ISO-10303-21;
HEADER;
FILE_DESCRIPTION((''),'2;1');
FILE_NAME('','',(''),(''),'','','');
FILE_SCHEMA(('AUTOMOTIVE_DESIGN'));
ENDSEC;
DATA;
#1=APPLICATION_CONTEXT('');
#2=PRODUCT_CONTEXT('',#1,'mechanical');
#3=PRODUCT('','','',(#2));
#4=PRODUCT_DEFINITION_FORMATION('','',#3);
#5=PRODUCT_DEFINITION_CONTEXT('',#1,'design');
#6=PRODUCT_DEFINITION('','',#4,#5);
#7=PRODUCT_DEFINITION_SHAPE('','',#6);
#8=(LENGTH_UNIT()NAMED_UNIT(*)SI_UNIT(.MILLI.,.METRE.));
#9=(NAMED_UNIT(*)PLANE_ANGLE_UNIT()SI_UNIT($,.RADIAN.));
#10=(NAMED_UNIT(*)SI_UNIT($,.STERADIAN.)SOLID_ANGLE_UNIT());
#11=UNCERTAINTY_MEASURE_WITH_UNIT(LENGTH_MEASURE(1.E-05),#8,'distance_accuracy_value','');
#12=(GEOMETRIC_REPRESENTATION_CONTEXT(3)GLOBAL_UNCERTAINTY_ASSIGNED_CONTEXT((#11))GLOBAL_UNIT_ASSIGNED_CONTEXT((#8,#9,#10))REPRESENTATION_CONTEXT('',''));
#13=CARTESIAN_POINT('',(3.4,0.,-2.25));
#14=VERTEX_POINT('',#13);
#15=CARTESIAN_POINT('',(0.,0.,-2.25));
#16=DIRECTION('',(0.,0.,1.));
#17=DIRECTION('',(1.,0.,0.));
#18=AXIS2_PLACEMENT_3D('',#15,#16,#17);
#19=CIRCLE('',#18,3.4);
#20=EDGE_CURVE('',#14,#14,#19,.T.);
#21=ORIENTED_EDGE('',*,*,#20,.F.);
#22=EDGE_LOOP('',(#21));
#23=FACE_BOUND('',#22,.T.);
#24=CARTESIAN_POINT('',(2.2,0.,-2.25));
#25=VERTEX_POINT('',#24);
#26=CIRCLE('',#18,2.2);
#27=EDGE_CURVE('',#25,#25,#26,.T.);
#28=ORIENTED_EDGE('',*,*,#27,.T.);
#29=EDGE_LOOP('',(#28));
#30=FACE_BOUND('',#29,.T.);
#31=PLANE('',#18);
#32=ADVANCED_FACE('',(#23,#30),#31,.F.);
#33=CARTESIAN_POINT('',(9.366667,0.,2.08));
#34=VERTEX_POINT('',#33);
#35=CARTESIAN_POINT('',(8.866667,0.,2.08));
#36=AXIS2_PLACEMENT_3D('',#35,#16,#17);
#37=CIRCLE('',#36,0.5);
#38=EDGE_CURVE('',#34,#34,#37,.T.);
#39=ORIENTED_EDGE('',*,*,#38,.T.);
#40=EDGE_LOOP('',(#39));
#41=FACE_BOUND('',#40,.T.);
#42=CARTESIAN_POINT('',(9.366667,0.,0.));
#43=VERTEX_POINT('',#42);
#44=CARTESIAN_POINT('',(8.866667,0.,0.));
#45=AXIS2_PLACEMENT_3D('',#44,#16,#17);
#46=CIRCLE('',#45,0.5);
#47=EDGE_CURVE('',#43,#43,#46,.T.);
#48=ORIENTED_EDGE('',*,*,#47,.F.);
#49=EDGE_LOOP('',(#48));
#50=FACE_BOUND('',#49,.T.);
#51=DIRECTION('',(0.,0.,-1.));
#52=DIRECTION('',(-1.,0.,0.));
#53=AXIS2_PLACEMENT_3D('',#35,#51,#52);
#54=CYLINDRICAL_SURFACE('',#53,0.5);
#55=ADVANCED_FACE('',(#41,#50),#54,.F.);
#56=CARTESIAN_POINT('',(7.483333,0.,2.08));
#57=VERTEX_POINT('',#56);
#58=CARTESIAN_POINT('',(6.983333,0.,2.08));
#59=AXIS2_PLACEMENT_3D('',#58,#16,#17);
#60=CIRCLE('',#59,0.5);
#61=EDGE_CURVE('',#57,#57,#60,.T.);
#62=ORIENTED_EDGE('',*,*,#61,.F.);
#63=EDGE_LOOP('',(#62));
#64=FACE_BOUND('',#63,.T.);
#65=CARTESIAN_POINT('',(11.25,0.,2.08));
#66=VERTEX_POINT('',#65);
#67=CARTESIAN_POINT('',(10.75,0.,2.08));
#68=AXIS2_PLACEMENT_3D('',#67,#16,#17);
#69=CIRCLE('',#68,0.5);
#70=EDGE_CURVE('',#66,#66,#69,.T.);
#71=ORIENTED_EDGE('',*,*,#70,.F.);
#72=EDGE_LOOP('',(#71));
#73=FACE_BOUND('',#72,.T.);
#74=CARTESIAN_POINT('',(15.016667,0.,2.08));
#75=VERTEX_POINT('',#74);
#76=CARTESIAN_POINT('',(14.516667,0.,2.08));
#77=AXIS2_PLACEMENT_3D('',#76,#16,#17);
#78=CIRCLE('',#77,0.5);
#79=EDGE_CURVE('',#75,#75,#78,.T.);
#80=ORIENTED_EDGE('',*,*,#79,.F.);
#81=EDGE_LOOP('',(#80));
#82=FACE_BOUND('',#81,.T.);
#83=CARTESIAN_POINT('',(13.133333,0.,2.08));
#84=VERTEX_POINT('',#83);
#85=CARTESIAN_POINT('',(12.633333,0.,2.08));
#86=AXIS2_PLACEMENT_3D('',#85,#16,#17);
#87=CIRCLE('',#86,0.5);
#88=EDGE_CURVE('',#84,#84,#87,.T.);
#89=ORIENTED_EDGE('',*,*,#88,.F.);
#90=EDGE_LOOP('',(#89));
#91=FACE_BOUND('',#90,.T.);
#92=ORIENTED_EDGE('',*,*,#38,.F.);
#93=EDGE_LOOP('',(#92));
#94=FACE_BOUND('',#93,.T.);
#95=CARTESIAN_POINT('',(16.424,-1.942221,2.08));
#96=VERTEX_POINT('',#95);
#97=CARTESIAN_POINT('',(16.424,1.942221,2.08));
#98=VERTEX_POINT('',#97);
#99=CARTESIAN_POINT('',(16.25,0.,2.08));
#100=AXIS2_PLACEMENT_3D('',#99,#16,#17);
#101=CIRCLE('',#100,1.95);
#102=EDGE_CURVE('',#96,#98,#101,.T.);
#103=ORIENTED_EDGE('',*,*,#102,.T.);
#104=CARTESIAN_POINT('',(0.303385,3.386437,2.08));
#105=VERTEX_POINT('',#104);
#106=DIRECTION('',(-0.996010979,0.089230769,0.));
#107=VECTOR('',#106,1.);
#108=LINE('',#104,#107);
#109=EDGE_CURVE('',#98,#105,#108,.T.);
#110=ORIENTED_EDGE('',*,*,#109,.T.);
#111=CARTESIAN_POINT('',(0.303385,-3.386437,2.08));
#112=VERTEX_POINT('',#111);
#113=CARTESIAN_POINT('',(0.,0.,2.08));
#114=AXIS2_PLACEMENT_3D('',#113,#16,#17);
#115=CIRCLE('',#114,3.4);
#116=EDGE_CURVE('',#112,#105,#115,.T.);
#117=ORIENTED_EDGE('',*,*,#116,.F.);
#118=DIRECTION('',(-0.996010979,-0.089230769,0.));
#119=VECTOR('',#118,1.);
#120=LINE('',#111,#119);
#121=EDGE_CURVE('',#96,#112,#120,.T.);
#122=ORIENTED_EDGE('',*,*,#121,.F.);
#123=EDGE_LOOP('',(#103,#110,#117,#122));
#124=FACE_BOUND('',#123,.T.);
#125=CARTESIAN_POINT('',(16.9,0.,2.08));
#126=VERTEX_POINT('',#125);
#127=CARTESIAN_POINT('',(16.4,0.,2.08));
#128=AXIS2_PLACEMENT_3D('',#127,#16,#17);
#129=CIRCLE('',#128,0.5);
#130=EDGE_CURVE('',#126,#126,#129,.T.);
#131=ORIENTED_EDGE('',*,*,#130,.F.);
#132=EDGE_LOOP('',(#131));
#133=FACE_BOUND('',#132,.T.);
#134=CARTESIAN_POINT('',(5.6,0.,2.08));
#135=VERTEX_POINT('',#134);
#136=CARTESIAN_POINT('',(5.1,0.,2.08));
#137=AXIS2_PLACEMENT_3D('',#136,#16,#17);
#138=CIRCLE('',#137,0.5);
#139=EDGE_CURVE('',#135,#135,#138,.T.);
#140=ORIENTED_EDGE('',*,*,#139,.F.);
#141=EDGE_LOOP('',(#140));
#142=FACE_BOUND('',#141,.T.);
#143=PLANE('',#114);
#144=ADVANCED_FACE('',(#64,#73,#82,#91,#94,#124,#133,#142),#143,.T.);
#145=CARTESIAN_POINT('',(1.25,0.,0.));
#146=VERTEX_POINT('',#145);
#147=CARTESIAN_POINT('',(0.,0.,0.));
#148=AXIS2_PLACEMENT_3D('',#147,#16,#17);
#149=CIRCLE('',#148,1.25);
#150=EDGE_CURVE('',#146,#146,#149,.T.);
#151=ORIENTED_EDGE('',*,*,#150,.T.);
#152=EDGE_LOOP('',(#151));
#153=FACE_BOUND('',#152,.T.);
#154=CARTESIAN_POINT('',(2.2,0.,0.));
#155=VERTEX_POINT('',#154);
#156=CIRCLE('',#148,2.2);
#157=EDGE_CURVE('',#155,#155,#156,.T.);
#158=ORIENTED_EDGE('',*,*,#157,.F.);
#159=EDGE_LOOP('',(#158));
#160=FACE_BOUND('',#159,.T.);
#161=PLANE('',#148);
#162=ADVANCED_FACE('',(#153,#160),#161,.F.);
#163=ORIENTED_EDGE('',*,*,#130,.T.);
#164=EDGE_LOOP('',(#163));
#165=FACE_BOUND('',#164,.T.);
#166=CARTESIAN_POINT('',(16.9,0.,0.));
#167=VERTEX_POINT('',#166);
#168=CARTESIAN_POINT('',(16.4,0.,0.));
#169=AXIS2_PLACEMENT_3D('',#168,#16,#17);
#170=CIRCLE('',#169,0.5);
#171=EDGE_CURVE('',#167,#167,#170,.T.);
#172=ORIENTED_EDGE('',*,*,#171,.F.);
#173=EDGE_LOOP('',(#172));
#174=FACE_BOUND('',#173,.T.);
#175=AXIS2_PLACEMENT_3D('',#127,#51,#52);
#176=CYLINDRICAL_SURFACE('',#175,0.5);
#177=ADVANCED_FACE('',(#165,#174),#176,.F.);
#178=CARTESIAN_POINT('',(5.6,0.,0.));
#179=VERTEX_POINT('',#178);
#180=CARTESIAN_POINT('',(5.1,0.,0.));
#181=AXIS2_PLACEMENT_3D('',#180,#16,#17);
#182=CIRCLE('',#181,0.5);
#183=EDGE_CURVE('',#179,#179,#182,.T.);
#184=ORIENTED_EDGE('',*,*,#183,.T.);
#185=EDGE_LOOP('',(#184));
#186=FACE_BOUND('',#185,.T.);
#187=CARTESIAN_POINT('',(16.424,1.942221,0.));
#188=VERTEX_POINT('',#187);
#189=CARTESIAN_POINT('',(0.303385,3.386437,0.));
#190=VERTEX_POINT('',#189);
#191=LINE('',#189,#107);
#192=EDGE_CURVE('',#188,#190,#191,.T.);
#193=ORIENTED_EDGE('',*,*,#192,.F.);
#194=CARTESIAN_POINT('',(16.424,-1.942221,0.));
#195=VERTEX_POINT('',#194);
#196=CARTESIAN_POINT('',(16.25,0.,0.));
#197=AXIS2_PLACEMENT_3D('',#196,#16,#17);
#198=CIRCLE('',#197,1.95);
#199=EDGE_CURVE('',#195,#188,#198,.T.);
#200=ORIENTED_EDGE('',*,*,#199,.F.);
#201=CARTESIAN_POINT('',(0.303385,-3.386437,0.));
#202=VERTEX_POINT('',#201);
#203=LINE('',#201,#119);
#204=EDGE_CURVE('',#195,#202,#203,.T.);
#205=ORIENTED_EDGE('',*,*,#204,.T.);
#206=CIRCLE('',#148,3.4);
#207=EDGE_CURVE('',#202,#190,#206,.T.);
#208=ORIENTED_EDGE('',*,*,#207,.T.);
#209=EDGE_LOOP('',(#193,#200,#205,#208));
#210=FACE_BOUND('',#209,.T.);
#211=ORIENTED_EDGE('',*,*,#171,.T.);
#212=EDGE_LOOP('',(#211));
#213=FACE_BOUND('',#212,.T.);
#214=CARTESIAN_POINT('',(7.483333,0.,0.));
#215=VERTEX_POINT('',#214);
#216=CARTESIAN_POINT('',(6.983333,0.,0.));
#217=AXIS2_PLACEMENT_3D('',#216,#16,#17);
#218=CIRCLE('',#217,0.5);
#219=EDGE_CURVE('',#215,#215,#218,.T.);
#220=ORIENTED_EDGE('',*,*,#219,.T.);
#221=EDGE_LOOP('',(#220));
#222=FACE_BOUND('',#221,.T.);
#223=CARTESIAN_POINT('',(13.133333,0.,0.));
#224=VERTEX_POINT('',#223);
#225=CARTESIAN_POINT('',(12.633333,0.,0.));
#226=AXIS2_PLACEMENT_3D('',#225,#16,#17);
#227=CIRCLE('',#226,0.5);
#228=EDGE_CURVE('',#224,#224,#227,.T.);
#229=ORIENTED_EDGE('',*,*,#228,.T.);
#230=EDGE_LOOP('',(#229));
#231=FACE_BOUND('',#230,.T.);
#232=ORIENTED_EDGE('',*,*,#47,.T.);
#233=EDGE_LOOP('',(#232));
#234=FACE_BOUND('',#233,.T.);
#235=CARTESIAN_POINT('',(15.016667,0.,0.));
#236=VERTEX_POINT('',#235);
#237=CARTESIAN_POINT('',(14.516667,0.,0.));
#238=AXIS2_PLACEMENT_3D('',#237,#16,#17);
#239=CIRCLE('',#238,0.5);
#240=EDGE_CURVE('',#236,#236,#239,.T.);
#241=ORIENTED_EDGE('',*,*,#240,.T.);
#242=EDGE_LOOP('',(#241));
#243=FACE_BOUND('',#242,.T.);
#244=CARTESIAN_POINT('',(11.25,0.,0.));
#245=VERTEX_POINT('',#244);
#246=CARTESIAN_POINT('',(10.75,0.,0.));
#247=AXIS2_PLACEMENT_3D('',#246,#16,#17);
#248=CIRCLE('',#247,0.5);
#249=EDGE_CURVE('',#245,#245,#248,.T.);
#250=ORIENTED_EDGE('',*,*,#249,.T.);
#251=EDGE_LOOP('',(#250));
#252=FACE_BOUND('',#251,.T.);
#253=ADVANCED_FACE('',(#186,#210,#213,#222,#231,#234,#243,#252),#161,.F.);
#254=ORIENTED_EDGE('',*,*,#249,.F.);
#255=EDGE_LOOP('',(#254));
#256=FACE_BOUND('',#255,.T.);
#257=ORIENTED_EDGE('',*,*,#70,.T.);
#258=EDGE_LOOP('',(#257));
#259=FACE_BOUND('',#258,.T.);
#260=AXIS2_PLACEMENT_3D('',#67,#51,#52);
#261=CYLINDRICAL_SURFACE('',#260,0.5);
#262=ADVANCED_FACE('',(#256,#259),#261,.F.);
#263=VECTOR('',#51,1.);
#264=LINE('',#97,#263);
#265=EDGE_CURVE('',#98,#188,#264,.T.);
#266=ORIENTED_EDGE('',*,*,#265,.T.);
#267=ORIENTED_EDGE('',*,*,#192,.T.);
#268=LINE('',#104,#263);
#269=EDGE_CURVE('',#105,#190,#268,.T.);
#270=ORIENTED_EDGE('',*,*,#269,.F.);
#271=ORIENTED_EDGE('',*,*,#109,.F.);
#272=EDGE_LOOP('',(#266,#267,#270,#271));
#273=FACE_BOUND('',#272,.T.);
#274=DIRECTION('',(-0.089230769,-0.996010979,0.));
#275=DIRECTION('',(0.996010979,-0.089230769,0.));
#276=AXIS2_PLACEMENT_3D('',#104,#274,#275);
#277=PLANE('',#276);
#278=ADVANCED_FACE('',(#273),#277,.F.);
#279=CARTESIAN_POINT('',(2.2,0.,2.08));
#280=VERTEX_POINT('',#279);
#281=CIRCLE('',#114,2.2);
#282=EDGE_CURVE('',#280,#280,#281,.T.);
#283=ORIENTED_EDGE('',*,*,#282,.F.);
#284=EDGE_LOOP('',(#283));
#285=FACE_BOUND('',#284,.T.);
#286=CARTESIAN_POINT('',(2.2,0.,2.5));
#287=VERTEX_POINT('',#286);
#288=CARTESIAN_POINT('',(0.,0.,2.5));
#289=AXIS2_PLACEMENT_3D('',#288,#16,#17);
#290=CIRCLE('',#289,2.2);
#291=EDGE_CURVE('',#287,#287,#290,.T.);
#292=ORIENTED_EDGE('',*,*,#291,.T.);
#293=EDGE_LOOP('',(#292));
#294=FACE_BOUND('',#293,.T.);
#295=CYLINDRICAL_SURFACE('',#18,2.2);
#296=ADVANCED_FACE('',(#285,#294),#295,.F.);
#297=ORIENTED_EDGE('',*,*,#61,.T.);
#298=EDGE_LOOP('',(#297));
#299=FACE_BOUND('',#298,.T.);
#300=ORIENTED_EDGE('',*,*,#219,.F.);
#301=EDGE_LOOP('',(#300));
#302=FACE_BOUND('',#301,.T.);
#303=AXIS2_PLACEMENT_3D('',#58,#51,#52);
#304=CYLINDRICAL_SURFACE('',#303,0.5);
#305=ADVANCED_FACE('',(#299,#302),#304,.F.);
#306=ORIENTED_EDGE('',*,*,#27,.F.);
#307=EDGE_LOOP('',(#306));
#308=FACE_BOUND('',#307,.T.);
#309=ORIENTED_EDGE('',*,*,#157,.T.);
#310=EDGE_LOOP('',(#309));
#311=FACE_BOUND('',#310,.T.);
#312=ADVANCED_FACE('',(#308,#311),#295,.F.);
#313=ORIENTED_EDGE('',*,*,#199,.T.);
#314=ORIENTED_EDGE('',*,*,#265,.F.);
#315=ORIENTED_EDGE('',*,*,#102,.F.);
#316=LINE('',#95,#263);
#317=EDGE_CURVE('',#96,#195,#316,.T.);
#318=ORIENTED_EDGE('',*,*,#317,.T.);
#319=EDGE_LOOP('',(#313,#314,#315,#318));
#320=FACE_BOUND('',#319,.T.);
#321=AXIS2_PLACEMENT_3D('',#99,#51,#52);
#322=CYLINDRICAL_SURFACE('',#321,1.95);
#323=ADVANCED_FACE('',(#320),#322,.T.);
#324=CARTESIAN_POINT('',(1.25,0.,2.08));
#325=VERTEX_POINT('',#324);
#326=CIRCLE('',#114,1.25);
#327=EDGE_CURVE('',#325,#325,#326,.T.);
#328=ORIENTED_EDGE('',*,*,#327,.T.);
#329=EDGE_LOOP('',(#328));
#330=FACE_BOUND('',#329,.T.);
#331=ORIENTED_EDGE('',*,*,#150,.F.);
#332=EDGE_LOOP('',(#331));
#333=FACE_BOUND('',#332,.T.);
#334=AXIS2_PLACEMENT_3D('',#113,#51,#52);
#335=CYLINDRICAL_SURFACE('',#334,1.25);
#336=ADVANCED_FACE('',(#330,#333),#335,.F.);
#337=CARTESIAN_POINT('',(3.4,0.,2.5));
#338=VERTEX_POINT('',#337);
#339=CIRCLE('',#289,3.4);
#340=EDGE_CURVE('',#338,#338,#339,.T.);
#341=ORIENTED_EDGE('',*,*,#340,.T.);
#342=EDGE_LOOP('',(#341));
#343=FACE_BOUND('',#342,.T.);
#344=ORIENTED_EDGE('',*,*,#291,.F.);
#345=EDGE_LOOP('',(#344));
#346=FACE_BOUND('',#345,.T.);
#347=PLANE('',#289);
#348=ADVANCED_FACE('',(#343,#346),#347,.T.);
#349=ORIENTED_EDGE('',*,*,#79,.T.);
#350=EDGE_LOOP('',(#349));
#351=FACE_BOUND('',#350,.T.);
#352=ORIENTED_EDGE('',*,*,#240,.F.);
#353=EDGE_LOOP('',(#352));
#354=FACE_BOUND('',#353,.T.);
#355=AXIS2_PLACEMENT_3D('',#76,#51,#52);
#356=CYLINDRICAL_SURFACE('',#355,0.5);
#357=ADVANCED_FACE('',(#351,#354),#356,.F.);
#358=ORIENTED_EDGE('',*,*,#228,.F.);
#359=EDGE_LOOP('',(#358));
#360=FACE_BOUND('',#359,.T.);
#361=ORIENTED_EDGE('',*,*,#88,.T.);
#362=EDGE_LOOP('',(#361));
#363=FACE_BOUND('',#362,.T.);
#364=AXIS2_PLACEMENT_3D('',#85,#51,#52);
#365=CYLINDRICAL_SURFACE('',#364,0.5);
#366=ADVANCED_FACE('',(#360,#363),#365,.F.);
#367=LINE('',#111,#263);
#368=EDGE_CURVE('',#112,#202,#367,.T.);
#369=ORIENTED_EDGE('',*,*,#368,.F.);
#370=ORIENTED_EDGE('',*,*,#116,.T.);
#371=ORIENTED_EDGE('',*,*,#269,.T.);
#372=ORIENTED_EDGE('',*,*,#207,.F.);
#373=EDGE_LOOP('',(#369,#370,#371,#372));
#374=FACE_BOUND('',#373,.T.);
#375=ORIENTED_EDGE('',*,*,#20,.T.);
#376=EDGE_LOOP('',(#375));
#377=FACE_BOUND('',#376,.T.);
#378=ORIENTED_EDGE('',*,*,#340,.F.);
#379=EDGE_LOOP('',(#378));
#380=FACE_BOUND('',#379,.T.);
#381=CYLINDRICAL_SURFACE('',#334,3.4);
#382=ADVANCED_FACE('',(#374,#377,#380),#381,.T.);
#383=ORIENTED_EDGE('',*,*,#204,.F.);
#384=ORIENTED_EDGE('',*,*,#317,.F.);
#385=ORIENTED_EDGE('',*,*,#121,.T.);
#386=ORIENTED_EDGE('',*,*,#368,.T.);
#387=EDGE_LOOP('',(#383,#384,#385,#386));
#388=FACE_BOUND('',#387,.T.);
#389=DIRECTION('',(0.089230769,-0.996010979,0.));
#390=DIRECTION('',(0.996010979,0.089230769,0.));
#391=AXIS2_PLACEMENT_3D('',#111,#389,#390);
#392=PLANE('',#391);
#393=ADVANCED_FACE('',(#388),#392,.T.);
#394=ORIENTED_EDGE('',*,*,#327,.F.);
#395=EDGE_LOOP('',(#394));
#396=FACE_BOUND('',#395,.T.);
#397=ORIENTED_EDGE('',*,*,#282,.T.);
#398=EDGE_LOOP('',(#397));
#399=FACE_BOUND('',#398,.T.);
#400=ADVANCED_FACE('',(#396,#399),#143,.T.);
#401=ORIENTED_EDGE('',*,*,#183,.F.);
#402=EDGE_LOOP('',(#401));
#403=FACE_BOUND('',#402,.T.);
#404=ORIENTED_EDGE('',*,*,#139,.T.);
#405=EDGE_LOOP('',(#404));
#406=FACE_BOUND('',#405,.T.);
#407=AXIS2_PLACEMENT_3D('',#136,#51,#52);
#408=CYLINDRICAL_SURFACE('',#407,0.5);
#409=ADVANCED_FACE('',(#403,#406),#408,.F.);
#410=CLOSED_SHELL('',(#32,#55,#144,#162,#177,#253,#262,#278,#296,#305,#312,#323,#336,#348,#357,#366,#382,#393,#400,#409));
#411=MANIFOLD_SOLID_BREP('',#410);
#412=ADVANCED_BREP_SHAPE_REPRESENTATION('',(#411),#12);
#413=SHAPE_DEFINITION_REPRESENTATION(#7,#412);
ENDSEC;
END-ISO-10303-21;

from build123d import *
from build123d.topology import SkipClean

# Parameters (mm, degrees)
SKETCH1_R             = 0.5
SKETCH1_R_2           = 1.25
BASE_DEPTH            = 2.08
CONNECTION_DEPTH      = 2.5
CONNECTION_DEPTH_BACK = 2.25
SKETCH1_3_R           = 2.2


with BuildPart() as part:
    # Sketch1 → Base (new body)
    with BuildSketch(Plane.XY):
        with BuildLine():
            ThreePointArc((16.424, -1.942221409), (18.2, 0), (16.424, 1.942221409))
            Line((16.424, 1.942221409), (0.303384615, 3.386437328))
            ThreePointArc((0.303384615, 3.386437328), (-3.4, 0), (0.303384615, -3.386437328))
            Line((0.303384615, -3.386437328), (16.424, -1.942221409))
        make_face()
        with Locations((5.1, 0)):
            Circle(SKETCH1_R, mode=Mode.SUBTRACT)
        with Locations((6.983333333, 0)):
            Circle(SKETCH1_R, mode=Mode.SUBTRACT)
        with Locations((8.866666667, 0)):
            Circle(SKETCH1_R, mode=Mode.SUBTRACT)
        with Locations((10.75, 0)):
            Circle(SKETCH1_R, mode=Mode.SUBTRACT)
        with Locations((12.633333333, 0)):
            Circle(SKETCH1_R, mode=Mode.SUBTRACT)
        with Locations((14.516666667, 0)):
            Circle(SKETCH1_R, mode=Mode.SUBTRACT)
        with Locations((16.4, 0)):
            Circle(SKETCH1_R, mode=Mode.SUBTRACT)
        Circle(SKETCH1_R_2, mode=Mode.SUBTRACT)
    extrude(amount=BASE_DEPTH)

    # Sketch1<3> → Connection (add, two sides: drawn at the far end of the back side and taken through both)
    with SkipClean():  # the faces are left unmerged after this step: merging them gives an invalid solid
        with BuildSketch(Plane.XY.offset(-CONNECTION_DEPTH_BACK)):
            with BuildLine():
                ThreePointArc((3.4, 0), (2.509134083, 2.294394507), (0.303384615, 3.386437328))
                ThreePointArc((0.303384615, 3.386437328), (-3.4, 0), (0.303384615, -3.386437328))
                ThreePointArc((0.303384615, -3.386437328), (2.509134083, -2.294394507), (3.4, 0))
            make_face()
            Circle(SKETCH1_3_R, mode=Mode.SUBTRACT)
        extrude(amount=CONNECTION_DEPTH + CONNECTION_DEPTH_BACK)


solid = part.part
